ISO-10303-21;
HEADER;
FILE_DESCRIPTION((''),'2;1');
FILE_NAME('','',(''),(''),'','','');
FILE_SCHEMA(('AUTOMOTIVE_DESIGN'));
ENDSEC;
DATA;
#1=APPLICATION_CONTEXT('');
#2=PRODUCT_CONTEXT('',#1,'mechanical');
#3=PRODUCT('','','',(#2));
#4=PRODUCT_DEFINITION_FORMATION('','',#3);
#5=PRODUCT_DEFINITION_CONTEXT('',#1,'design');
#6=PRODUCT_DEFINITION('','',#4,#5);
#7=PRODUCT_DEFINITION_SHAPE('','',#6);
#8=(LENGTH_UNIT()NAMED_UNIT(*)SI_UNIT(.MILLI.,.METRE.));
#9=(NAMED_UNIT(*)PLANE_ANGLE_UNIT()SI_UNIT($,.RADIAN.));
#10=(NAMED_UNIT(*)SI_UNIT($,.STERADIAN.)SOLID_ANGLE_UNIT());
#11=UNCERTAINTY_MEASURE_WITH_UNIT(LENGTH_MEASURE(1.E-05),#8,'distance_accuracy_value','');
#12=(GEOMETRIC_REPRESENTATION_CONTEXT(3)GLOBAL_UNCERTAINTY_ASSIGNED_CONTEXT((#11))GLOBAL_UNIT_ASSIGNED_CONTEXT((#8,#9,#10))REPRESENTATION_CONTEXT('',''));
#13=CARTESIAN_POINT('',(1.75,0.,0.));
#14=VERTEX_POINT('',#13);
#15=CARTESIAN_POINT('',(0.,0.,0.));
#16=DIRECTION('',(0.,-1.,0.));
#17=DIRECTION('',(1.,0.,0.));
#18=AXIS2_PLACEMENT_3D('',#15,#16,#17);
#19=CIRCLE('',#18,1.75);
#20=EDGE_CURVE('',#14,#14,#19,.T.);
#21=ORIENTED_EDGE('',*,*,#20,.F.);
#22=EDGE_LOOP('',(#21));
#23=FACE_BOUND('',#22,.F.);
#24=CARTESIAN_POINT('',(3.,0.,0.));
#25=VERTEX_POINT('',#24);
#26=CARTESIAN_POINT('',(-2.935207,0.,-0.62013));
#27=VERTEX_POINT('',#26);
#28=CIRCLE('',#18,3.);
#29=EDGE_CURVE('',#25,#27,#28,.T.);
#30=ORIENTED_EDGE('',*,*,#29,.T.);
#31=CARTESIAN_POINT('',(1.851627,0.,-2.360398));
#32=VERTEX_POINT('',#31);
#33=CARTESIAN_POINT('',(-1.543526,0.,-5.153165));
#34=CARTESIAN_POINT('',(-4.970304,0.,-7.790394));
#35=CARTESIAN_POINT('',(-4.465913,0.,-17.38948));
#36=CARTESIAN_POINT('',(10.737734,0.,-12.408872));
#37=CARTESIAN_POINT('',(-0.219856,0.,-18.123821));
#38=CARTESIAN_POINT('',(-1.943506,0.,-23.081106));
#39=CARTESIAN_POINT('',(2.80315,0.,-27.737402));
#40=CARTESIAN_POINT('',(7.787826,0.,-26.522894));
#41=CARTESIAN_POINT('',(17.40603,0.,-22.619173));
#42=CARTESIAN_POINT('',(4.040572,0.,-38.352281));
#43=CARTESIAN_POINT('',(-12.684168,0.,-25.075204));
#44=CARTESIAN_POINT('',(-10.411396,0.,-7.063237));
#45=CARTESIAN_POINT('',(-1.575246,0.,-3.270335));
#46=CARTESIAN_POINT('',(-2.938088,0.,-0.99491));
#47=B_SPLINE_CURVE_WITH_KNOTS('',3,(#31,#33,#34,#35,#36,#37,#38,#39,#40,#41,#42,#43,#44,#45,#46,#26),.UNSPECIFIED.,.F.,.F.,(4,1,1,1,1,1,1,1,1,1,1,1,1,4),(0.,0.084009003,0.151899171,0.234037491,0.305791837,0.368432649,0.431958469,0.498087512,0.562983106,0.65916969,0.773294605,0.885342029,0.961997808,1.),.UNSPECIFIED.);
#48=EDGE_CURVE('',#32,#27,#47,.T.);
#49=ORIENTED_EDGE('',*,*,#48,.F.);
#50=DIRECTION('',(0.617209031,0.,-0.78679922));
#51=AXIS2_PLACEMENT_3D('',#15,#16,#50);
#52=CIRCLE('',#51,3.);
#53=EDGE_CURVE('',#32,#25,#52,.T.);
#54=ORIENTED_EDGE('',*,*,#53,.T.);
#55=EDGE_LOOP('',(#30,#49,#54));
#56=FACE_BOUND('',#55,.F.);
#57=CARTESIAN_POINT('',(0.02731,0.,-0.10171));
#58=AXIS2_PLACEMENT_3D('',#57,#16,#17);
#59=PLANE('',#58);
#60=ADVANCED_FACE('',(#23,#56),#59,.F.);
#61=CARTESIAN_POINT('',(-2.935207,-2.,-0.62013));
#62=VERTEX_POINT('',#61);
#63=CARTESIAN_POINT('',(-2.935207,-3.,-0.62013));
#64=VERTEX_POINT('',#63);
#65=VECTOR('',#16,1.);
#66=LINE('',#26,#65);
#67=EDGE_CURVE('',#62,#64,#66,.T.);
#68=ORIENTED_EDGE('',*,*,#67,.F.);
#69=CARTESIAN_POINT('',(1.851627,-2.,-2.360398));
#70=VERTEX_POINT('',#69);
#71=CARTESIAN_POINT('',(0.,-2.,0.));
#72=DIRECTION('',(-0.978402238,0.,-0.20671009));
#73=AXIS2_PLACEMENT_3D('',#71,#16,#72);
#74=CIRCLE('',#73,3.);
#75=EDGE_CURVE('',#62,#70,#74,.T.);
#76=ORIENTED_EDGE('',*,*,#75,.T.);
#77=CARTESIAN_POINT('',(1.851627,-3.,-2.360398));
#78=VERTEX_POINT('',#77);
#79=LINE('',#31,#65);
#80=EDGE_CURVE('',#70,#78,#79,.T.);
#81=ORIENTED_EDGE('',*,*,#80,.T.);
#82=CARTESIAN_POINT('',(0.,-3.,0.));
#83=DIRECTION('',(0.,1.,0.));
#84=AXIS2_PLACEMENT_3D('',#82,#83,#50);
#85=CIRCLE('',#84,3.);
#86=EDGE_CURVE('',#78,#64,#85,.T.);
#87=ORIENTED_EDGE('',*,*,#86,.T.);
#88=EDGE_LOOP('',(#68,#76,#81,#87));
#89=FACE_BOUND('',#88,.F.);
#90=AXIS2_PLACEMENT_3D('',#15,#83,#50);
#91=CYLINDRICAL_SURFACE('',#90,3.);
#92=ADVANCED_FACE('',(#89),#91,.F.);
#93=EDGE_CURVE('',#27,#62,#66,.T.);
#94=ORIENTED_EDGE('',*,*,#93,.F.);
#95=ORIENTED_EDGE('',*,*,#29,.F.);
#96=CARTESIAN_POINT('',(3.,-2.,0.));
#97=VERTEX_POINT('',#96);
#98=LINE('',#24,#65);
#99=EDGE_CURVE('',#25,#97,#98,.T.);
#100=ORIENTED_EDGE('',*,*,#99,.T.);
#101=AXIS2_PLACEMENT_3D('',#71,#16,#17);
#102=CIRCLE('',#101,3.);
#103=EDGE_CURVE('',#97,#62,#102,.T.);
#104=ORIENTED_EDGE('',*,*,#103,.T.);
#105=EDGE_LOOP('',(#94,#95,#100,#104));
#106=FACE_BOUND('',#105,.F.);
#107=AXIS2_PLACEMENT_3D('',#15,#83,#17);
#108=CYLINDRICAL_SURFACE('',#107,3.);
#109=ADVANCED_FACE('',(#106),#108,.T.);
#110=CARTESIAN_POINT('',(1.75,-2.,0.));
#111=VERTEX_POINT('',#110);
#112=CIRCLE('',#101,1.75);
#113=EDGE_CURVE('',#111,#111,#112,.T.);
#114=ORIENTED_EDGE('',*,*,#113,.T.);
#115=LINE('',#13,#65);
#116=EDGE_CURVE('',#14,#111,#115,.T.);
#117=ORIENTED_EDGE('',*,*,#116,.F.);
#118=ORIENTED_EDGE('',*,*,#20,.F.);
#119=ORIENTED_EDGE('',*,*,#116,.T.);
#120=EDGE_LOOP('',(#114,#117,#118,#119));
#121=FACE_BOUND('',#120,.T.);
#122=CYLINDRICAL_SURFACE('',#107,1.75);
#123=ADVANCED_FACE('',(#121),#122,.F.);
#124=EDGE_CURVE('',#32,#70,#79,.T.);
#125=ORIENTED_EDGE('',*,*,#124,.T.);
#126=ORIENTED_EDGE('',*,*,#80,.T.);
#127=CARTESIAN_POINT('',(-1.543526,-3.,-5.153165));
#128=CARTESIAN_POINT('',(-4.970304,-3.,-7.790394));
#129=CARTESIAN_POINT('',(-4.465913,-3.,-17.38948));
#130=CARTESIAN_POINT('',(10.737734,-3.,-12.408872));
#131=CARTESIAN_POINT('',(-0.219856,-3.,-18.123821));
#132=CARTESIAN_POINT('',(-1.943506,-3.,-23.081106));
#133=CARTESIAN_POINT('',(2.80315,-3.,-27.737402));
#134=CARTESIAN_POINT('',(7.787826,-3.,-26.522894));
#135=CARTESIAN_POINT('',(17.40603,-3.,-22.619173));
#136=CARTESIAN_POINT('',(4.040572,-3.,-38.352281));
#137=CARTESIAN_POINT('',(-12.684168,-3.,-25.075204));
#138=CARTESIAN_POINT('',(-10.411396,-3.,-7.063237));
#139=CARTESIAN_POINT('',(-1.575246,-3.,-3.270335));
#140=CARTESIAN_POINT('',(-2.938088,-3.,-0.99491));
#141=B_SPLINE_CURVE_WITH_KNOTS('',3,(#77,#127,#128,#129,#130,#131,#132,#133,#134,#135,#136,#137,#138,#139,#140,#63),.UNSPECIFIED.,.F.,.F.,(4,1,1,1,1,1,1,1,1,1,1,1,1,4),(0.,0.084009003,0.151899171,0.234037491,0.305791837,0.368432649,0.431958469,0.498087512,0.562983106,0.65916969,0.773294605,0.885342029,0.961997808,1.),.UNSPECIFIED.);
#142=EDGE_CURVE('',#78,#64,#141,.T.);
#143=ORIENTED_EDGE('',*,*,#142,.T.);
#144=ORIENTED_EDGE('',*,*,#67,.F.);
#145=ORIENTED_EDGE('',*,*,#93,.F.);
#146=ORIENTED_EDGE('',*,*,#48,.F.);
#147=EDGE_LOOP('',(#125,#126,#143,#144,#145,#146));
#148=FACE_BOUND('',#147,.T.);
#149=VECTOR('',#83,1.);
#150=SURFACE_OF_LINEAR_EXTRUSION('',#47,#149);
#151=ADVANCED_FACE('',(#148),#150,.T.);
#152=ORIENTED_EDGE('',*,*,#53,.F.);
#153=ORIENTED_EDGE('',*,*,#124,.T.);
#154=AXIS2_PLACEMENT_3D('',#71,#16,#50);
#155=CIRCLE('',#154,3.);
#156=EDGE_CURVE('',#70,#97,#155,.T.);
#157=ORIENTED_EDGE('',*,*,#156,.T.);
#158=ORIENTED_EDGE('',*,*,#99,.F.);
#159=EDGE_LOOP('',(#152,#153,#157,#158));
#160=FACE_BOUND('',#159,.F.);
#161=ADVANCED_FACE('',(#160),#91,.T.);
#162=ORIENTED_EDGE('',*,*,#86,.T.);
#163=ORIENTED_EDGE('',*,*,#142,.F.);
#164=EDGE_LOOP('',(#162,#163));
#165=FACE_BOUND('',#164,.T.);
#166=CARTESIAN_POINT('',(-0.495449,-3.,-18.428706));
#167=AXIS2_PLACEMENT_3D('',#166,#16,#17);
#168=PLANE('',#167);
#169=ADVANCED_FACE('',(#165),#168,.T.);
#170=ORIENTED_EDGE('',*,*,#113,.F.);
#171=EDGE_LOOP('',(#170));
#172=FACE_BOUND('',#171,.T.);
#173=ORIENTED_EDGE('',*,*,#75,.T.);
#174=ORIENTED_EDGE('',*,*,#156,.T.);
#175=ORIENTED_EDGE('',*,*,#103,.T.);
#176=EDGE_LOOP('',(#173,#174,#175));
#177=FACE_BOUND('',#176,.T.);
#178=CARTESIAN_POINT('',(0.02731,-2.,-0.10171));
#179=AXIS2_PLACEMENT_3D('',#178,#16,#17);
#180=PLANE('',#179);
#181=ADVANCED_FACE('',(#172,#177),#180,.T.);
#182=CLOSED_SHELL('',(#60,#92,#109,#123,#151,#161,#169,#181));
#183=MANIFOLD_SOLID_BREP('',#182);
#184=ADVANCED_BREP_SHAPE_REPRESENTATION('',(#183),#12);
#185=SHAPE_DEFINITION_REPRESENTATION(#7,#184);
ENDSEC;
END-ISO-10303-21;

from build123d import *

# Parameters (mm, degrees)
F1_DEPTH = 3
F0_R     = 1.75
F2_DEPTH = 2


with BuildPart() as f1:
    # F0 (on Front) → F1 (new body)
    with BuildSketch(Plane.XZ):
        with BuildLine():
            ThreePointArc((1.8516270923, -2.3603976595), (-1.0250213871, -2.8194558262), (-2.9352067128, -0.6201302713))
            add(Edge.make_bspline(
                [(1.8516270923, -2.3603976595), (-1.5435262428, -5.1531654917), (-4.9703038894, -7.7903942414), (-4.4659126997, -17.3894800451), (10.7377335035, -12.4088722053), (-0.2198560867, -18.1238212612), (-1.943506308, -23.0811061623), (2.803149823, -27.7374023067), (7.7878255624, -26.5228936409), (17.4060303656, -22.6191733067), (4.0405719528, -38.3522810822), (-12.6841676323, -25.0752041128), (-10.4113956377, -7.0632373129), (-1.5752460885, -3.2703354982), (-2.9380878622, -0.9949101266), (-2.9352067128, -0.6201302713)],
                knots=[0, 0, 0, 0, 0.0840090026, 0.1518991712, 0.234037491, 0.3057918372, 0.3684326487, 0.431958469, 0.4980875116, 0.562983106, 0.6591696904, 0.7732946047, 0.8853420286, 0.9619978084, 1, 1, 1, 1], degree=3))
        make_face()
    extrude(amount=F1_DEPTH)

    # F0 (on Front) → F2 (join)
    with BuildSketch(Plane.XZ):
        with BuildLine():
            ThreePointArc((1.8516270923, -2.3603976595), (2.6976731897, -1.3124630896), (3, 0))
            ThreePointArc((3, 0), (-0.3117529966, 2.9837577095), (-2.9352067128, -0.6201302713))
            ThreePointArc((-2.9352067128, -0.6201302713), (-1.0250213871, -2.8194558262), (1.8516270923, -2.3603976595))
        make_face()
        Circle(F0_R, mode=Mode.SUBTRACT)
    extrude(amount=F2_DEPTH)


solid = f1.part
